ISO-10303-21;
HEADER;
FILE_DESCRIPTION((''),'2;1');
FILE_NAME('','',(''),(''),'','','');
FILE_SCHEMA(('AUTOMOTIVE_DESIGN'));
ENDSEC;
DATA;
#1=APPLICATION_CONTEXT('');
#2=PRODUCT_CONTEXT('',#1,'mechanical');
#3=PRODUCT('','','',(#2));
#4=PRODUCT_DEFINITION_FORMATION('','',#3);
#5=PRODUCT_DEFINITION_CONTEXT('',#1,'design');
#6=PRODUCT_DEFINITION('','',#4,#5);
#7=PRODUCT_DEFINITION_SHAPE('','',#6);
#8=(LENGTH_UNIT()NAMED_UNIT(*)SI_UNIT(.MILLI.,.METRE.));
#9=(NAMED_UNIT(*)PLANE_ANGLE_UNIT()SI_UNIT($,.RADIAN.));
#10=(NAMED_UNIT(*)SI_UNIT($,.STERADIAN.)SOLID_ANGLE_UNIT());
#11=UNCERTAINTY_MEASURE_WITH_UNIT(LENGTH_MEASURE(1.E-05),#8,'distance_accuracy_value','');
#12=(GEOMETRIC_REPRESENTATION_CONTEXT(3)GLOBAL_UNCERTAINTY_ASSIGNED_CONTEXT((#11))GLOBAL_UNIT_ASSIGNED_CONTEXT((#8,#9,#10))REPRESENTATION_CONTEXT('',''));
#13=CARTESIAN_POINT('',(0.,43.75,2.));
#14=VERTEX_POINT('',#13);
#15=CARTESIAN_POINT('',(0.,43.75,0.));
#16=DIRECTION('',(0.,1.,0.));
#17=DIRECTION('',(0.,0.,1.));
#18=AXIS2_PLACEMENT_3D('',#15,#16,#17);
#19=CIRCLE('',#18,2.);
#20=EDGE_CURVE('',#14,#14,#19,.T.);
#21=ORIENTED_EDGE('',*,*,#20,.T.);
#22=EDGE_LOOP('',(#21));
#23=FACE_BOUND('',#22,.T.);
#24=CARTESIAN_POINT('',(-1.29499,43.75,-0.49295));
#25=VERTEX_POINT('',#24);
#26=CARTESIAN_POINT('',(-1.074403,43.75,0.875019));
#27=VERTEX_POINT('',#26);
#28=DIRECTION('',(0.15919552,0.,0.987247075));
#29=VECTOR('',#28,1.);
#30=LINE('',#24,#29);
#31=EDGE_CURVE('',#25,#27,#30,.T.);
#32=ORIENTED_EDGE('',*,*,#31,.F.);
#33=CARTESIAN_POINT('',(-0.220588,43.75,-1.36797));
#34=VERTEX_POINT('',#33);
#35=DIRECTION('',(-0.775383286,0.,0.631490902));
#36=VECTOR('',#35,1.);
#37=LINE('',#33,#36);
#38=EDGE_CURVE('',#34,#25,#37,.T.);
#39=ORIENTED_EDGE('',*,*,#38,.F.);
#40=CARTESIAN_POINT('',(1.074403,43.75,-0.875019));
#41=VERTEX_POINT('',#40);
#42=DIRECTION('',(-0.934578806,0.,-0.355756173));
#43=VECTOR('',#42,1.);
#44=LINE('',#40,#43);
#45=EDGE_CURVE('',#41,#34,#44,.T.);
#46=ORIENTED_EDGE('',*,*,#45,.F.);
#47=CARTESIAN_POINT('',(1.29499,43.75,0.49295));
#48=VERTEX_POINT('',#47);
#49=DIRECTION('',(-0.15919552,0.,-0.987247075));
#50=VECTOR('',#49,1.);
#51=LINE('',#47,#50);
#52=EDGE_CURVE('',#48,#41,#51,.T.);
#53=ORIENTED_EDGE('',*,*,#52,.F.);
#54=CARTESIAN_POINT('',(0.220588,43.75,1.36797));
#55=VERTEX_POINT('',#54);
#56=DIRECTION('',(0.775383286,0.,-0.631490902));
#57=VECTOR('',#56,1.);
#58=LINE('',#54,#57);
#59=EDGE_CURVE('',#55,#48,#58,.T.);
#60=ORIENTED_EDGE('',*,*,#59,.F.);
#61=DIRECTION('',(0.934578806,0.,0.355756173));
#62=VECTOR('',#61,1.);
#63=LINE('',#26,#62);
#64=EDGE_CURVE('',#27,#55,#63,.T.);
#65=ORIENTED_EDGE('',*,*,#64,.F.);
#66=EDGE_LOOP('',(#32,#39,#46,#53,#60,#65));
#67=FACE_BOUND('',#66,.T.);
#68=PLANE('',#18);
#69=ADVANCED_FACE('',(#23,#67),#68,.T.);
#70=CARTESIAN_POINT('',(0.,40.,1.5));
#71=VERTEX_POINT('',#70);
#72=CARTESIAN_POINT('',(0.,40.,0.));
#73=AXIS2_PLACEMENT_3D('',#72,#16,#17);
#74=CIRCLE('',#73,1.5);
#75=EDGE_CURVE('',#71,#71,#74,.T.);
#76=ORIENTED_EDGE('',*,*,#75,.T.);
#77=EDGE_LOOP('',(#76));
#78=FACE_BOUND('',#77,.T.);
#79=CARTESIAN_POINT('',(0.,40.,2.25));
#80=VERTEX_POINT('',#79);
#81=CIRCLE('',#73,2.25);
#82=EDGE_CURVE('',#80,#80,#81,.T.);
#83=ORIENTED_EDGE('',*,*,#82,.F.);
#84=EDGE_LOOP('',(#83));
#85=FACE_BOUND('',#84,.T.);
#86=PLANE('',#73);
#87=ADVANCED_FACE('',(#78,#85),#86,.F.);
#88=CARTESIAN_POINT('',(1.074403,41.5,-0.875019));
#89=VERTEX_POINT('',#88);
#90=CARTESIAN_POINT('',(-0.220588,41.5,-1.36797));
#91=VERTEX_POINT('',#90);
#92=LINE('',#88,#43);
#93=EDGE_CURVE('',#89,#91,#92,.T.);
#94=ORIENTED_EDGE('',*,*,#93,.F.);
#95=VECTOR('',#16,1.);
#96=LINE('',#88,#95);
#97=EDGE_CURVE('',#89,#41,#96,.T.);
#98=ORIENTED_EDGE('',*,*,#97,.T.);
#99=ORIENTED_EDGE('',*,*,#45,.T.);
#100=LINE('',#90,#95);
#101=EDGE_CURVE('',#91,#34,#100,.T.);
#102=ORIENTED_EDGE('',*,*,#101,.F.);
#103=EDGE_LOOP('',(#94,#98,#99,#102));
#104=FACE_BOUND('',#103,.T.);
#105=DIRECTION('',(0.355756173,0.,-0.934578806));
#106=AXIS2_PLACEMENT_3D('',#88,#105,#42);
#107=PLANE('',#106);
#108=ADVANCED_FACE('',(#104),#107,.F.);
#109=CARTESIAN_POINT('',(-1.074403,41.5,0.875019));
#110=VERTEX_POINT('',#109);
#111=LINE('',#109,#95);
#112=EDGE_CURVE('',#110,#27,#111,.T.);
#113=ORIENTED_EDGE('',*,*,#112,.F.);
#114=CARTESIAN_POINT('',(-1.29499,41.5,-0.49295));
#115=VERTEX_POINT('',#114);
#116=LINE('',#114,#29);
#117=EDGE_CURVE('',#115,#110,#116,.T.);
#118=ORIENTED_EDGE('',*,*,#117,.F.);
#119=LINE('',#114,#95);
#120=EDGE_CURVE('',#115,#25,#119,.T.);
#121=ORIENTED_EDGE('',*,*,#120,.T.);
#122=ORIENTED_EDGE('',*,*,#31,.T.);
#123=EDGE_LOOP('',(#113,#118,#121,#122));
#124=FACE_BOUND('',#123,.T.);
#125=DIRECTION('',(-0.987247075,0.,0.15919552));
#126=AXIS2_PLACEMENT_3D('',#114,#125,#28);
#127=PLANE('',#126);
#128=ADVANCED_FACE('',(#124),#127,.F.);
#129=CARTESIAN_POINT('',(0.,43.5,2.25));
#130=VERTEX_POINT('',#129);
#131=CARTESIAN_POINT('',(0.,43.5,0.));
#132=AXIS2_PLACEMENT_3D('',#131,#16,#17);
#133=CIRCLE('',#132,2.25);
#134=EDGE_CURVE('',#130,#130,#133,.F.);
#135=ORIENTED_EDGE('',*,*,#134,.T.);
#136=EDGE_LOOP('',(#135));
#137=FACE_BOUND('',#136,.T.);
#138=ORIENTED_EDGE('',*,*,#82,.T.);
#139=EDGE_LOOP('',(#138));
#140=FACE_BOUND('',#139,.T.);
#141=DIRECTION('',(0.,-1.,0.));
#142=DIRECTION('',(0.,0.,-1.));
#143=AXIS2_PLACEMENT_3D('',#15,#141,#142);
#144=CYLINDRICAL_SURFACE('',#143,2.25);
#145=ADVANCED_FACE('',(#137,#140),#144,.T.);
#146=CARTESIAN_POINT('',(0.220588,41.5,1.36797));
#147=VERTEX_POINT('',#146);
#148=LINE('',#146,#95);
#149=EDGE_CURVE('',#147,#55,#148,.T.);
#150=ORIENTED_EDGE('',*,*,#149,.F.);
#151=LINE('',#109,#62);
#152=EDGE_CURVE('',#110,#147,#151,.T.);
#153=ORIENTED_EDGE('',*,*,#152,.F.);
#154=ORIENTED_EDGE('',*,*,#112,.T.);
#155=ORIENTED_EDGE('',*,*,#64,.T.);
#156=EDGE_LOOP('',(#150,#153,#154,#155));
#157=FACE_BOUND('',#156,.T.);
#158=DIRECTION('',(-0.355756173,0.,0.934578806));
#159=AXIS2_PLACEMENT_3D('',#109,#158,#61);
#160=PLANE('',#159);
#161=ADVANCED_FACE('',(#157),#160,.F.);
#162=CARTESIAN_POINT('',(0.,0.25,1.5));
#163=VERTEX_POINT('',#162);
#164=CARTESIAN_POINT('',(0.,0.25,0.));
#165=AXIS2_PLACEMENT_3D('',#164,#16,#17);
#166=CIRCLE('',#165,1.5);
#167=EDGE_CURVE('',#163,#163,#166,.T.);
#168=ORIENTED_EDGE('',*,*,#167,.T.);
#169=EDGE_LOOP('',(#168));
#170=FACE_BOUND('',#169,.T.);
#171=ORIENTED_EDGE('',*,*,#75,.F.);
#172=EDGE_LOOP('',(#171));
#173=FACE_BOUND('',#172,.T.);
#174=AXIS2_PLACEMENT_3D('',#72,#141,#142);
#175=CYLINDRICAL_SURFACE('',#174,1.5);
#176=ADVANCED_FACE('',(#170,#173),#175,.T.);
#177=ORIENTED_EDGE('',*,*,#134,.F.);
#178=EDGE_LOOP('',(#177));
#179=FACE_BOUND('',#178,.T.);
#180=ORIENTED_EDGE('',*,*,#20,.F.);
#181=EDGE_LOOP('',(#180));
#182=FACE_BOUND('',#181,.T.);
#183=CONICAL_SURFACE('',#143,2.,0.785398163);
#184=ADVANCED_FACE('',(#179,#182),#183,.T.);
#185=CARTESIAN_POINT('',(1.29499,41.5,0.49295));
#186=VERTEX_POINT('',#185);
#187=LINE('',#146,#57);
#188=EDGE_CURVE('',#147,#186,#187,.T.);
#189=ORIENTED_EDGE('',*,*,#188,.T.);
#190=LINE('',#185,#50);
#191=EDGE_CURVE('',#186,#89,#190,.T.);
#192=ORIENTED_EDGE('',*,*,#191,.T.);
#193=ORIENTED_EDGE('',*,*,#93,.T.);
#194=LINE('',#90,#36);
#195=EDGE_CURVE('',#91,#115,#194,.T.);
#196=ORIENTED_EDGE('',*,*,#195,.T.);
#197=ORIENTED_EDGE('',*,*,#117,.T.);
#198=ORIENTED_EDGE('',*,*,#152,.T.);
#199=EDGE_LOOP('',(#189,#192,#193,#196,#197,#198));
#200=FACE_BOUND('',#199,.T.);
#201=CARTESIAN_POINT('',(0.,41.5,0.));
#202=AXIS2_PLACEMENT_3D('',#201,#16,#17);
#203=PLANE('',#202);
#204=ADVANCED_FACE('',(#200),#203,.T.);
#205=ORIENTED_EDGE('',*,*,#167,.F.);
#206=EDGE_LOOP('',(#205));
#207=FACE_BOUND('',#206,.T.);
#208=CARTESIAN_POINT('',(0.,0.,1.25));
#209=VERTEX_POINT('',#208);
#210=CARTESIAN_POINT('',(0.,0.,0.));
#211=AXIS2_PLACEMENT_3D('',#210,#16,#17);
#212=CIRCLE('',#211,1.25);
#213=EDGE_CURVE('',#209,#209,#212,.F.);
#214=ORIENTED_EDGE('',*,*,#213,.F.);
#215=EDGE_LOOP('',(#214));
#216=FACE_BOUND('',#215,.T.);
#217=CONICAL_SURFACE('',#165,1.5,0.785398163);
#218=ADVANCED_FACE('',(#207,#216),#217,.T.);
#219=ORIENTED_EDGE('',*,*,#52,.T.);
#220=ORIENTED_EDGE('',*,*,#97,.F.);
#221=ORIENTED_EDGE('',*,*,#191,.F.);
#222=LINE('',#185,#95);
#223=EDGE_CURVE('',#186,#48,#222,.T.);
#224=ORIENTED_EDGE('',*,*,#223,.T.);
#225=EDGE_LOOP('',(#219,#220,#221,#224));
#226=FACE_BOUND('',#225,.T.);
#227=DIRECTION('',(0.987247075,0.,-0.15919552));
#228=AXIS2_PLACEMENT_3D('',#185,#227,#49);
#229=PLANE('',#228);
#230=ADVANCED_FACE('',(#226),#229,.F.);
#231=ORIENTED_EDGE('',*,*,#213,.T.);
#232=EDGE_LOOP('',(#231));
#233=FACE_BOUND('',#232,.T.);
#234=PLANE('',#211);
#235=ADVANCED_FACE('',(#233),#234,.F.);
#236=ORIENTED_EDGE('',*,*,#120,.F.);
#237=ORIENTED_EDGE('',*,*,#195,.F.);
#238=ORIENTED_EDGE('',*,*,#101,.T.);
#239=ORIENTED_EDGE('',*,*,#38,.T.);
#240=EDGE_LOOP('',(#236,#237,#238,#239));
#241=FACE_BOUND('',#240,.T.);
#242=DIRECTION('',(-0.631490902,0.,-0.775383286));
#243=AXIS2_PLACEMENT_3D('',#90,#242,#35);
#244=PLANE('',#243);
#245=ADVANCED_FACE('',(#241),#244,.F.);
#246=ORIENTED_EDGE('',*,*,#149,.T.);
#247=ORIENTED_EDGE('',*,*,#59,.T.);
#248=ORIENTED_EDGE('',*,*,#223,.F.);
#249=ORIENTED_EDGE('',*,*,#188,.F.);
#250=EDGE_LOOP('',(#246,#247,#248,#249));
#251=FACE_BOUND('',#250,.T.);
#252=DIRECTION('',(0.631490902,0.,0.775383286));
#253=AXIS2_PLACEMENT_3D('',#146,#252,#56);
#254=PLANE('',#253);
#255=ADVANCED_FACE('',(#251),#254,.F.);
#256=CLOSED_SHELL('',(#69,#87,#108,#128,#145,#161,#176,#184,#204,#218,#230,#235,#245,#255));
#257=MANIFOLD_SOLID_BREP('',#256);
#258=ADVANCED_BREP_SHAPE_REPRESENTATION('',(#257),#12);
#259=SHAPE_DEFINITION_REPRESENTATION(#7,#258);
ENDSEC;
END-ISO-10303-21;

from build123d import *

# Parameters (mm, degrees)
SKICA1_R                 = 1.5
P_IDAT_VYSUNUT_M1_DEPTH  = 40
SKICA2_R                 = 2.25
P_IDAT_VYSUNUT_M2_DEPTH  = 3.75
ODEBRAT_VYSUNUT_M1_DEPTH = 2.25
ZKOSEN_1_SIZE            = 0.25
ZKOSEN_2_SIZE            = 0.25


with BuildPart() as part:
    # Skica1 → Přidat vysunutím1 (new body)
    with BuildSketch(Plane(origin=(0, 0, 0), x_dir=(1, 0, 0), z_dir=(0, 1, 0))):
        with Locations(Location((0, 0, 0), (0, 0, 270))):
            Circle(SKICA1_R)
    extrude(amount=P_IDAT_VYSUNUT_M1_DEPTH)

    # Skica2 → Přidat vysunutím2 (add)
    with BuildSketch(Plane(origin=(0, 40, 0), x_dir=(1, 0, 0), z_dir=(0, 1, 0))):
        with Locations(Location((0, 0, 0), (0, 0, 270))):
            Circle(SKICA2_R)
    extrude(amount=P_IDAT_VYSUNUT_M2_DEPTH)

    # Skica3 → Odebrat vysunutím1 (cut)
    with BuildSketch(Plane(origin=(0, 43.75, 0), x_dir=(1, 0, 0), z_dir=(0, 1, 0))):
        Polygon((-1.074402598, -0.875019461), (0.220587783, -1.367969674), (1.294990381, -0.492950213), (1.074402598, 0.875019461), (-0.220587783, 1.367969674), (-1.294990381, 0.492950213), align=None)
    extrude(amount=-ODEBRAT_VYSUNUT_M1_DEPTH, mode=Mode.SUBTRACT)

    # Zkosení1
    zkosen_1_edges = [part.edges().sort_by_distance(p)[0] for p in [
        (0, 43.75, -2.25),
    ]]
    chamfer(zkosen_1_edges, length=ZKOSEN_1_SIZE)

    # Zkosení2
    zkosen_2_edges = [part.edges().sort_by_distance(p)[0] for p in [
        (0, 0, -1.5),
    ]]
    chamfer(zkosen_2_edges, length=ZKOSEN_2_SIZE)


solid = part.part
